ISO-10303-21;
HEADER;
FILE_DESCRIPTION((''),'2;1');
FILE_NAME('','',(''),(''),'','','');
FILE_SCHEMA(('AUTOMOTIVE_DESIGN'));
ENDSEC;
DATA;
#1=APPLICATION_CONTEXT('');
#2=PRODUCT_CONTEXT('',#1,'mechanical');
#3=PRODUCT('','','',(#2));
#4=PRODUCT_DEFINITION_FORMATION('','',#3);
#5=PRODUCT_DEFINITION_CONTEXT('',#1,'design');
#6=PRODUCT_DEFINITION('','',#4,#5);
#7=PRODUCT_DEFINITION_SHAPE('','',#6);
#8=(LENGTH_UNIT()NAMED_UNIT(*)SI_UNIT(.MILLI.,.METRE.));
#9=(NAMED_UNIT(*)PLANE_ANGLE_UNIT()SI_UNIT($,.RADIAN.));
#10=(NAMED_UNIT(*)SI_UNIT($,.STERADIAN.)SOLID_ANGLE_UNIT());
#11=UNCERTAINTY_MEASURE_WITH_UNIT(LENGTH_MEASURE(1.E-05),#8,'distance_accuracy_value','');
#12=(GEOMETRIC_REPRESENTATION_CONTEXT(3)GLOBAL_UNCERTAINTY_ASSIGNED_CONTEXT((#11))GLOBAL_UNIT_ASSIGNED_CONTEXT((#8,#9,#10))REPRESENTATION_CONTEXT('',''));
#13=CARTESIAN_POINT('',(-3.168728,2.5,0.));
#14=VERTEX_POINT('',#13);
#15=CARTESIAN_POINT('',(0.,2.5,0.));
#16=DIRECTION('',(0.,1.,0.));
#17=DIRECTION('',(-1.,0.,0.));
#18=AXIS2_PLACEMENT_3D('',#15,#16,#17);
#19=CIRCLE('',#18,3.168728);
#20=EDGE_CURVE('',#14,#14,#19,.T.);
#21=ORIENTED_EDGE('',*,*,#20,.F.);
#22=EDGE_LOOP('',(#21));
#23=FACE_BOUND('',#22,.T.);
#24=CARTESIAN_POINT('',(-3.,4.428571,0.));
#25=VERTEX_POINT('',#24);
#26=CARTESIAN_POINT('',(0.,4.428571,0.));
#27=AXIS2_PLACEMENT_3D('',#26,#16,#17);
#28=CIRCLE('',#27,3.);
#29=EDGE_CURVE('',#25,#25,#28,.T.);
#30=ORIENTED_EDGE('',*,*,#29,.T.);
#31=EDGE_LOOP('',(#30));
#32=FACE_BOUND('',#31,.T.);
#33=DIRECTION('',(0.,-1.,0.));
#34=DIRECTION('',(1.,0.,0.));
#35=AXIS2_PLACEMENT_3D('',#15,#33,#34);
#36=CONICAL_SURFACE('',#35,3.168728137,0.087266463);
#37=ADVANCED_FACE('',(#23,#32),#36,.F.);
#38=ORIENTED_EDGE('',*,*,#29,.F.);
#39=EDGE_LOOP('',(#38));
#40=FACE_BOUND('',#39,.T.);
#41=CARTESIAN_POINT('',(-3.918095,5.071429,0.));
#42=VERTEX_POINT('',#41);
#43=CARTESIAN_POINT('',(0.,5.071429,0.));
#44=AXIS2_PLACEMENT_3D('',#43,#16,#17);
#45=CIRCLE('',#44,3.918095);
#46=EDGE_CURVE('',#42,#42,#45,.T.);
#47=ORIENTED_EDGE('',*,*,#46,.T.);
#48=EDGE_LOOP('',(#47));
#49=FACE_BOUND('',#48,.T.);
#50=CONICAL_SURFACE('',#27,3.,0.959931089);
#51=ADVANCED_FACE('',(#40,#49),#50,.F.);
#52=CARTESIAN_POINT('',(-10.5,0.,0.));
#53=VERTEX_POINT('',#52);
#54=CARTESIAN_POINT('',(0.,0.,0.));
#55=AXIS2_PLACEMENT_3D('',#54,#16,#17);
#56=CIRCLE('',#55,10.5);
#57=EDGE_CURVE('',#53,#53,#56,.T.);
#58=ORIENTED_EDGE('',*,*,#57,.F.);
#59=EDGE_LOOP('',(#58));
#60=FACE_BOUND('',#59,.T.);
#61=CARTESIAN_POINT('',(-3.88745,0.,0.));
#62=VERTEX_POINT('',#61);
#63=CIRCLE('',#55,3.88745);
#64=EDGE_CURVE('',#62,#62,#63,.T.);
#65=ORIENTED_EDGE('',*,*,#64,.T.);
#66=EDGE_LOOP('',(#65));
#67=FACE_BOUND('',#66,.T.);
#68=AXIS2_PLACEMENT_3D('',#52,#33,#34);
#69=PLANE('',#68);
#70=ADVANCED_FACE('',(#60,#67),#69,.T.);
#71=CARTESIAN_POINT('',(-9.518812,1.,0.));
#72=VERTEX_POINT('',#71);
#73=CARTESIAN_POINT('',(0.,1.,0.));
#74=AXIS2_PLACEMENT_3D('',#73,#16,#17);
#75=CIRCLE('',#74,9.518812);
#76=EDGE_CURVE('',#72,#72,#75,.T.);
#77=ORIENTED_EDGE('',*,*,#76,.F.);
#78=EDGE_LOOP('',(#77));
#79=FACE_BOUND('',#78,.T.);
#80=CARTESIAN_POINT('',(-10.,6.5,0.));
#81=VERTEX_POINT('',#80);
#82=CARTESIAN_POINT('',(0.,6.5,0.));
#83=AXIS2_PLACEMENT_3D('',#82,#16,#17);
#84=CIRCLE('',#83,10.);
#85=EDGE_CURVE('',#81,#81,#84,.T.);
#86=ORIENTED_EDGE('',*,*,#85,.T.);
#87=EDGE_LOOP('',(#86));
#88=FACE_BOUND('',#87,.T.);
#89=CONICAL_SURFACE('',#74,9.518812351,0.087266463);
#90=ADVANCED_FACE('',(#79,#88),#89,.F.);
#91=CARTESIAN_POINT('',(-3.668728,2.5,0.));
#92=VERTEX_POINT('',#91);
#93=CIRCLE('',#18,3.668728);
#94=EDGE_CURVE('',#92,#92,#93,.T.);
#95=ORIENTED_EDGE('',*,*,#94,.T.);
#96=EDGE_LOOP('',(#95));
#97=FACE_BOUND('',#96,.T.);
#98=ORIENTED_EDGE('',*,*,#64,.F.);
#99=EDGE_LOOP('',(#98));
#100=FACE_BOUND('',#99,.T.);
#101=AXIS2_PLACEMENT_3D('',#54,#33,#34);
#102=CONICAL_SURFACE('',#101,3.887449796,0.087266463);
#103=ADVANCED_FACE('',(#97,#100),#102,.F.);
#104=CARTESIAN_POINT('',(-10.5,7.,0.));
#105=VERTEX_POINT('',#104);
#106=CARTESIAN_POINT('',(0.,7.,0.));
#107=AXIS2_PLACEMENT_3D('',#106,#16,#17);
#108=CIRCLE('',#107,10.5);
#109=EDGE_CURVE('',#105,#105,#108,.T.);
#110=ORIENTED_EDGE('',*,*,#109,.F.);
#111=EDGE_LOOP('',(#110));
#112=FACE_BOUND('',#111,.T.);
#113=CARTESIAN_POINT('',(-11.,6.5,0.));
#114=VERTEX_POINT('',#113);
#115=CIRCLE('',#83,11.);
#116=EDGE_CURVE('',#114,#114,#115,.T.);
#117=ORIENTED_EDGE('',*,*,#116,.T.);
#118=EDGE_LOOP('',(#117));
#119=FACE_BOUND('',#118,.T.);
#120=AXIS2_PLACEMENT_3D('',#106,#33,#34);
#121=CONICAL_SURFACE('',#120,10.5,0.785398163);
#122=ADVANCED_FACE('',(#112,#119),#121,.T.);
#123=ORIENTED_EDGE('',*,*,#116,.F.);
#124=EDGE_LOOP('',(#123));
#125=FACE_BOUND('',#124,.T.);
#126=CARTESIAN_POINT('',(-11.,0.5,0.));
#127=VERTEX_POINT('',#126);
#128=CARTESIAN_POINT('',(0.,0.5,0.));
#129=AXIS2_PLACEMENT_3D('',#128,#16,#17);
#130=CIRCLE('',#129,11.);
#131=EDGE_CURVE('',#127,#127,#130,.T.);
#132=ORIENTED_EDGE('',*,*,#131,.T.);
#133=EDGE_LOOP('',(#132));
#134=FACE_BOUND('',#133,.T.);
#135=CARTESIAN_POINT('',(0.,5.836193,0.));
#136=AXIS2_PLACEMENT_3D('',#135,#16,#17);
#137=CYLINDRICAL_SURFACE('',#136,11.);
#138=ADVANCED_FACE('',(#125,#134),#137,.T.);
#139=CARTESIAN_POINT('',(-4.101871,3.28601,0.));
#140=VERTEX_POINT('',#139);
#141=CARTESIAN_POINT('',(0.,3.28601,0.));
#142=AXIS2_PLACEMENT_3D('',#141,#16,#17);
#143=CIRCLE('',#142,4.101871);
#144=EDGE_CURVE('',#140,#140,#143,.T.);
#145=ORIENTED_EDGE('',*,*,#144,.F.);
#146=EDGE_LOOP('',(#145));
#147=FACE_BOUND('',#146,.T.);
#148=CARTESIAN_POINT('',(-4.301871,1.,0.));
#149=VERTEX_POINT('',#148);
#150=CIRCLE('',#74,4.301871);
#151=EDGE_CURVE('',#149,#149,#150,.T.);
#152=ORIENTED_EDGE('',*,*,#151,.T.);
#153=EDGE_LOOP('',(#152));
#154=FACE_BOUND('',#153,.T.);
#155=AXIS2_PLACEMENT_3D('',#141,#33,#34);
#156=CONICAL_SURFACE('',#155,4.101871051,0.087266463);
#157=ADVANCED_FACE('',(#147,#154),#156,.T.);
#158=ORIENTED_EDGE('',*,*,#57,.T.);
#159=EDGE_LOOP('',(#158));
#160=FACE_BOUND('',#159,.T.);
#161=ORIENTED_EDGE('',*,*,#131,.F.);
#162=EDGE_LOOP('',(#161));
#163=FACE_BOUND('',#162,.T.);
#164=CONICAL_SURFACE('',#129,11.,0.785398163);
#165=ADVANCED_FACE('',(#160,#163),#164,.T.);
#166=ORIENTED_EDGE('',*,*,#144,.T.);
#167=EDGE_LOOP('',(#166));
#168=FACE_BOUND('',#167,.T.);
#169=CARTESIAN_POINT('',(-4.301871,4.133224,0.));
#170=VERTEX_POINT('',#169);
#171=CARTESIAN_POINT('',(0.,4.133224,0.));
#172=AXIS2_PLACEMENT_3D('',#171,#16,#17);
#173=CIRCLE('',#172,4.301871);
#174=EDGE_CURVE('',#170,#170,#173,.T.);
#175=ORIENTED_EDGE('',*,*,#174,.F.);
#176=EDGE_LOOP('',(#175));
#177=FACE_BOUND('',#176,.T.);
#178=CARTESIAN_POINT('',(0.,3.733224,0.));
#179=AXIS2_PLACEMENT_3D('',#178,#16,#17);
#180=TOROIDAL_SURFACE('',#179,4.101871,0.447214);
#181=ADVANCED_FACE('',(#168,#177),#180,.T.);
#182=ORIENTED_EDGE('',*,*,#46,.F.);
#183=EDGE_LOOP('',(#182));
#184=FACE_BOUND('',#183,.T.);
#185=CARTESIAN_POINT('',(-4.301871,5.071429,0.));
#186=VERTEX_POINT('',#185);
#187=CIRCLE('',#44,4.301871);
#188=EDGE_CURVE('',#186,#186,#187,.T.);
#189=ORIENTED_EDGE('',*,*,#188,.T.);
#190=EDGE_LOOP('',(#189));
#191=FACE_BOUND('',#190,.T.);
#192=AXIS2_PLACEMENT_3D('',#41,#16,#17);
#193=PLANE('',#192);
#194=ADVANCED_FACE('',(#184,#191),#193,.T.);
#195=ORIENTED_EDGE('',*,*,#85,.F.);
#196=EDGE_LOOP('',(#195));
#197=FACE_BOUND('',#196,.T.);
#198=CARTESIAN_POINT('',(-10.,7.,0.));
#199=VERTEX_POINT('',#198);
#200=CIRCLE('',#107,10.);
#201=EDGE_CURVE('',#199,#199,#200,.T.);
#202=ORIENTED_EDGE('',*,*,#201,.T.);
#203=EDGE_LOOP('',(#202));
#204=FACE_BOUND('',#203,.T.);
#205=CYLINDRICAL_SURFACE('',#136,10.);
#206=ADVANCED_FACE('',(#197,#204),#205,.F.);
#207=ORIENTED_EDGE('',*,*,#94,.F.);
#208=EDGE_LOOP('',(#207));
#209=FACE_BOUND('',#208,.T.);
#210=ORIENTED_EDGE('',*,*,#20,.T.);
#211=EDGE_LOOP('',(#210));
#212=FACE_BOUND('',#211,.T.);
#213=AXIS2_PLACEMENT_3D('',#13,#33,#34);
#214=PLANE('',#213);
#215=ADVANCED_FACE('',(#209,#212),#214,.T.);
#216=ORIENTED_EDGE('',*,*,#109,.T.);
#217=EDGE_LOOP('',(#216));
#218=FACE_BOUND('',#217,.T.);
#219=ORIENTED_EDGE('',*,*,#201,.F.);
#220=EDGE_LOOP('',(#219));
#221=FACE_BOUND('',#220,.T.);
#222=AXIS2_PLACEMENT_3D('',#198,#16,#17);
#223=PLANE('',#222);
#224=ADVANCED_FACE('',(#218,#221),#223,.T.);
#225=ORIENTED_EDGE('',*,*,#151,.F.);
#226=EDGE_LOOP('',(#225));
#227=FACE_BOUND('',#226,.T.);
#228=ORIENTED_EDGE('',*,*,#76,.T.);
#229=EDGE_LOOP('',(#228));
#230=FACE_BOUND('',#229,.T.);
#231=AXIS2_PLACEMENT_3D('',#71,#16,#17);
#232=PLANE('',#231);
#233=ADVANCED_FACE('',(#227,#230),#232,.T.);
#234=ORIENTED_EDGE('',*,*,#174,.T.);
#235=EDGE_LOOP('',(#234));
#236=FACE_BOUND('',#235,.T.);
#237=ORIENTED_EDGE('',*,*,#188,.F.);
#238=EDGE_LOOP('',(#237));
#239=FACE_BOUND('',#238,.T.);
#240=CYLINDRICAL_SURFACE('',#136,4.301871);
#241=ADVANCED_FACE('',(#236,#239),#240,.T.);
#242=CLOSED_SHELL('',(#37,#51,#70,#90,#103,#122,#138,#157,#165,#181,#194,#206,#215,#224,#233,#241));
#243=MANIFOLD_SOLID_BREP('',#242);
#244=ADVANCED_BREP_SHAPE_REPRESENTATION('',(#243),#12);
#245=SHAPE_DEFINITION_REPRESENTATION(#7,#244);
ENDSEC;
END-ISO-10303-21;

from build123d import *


with BuildPart() as part:
    # 草图1 → 旋转1 (revolve)
    with BuildSketch(Plane.XY):
        with BuildLine():
            Line((-9.518812351, 1), (-4.301871051, 1))
            Line((-4.301871051, 1), (-4.101871051, 3.286010461))
            ThreePointArc((-4.101871051, 3.286010461), (-4.537121231, 3.630475426), (-4.301871051, 4.133224056))
            Line((-4.301871051, 4.133224056), (-4.301871051, 5.071428571))
            Line((-4.301871051, 5.071428571), (-3.918095147, 5.071428571))
            Line((-3.918095147, 5.071428571), (-3, 4.428571429))
            Line((-3, 4.428571429), (-3.168728137, 2.5))
            Line((-3.168728137, 2.5), (-3.668728137, 2.5))
            Line((-3.668728137, 2.5), (-3.887449796, 0))
            Line((-3.887449796, 0), (-10.5, 0))
            Line((-10.5, 0), (-11, 0.5))
            Line((-11, 0.5), (-11, 6.5))
            Line((-11, 6.5), (-10.5, 7))
            Line((-10.5, 7), (-10, 7))
            Line((-10, 7), (-10, 6.5))
            Line((-10, 6.5), (-9.518812351, 1))
        make_face()
    revolve(axis=Axis((0, 5.836193369, 0), (0, -1, 0)))


solid = part.part
